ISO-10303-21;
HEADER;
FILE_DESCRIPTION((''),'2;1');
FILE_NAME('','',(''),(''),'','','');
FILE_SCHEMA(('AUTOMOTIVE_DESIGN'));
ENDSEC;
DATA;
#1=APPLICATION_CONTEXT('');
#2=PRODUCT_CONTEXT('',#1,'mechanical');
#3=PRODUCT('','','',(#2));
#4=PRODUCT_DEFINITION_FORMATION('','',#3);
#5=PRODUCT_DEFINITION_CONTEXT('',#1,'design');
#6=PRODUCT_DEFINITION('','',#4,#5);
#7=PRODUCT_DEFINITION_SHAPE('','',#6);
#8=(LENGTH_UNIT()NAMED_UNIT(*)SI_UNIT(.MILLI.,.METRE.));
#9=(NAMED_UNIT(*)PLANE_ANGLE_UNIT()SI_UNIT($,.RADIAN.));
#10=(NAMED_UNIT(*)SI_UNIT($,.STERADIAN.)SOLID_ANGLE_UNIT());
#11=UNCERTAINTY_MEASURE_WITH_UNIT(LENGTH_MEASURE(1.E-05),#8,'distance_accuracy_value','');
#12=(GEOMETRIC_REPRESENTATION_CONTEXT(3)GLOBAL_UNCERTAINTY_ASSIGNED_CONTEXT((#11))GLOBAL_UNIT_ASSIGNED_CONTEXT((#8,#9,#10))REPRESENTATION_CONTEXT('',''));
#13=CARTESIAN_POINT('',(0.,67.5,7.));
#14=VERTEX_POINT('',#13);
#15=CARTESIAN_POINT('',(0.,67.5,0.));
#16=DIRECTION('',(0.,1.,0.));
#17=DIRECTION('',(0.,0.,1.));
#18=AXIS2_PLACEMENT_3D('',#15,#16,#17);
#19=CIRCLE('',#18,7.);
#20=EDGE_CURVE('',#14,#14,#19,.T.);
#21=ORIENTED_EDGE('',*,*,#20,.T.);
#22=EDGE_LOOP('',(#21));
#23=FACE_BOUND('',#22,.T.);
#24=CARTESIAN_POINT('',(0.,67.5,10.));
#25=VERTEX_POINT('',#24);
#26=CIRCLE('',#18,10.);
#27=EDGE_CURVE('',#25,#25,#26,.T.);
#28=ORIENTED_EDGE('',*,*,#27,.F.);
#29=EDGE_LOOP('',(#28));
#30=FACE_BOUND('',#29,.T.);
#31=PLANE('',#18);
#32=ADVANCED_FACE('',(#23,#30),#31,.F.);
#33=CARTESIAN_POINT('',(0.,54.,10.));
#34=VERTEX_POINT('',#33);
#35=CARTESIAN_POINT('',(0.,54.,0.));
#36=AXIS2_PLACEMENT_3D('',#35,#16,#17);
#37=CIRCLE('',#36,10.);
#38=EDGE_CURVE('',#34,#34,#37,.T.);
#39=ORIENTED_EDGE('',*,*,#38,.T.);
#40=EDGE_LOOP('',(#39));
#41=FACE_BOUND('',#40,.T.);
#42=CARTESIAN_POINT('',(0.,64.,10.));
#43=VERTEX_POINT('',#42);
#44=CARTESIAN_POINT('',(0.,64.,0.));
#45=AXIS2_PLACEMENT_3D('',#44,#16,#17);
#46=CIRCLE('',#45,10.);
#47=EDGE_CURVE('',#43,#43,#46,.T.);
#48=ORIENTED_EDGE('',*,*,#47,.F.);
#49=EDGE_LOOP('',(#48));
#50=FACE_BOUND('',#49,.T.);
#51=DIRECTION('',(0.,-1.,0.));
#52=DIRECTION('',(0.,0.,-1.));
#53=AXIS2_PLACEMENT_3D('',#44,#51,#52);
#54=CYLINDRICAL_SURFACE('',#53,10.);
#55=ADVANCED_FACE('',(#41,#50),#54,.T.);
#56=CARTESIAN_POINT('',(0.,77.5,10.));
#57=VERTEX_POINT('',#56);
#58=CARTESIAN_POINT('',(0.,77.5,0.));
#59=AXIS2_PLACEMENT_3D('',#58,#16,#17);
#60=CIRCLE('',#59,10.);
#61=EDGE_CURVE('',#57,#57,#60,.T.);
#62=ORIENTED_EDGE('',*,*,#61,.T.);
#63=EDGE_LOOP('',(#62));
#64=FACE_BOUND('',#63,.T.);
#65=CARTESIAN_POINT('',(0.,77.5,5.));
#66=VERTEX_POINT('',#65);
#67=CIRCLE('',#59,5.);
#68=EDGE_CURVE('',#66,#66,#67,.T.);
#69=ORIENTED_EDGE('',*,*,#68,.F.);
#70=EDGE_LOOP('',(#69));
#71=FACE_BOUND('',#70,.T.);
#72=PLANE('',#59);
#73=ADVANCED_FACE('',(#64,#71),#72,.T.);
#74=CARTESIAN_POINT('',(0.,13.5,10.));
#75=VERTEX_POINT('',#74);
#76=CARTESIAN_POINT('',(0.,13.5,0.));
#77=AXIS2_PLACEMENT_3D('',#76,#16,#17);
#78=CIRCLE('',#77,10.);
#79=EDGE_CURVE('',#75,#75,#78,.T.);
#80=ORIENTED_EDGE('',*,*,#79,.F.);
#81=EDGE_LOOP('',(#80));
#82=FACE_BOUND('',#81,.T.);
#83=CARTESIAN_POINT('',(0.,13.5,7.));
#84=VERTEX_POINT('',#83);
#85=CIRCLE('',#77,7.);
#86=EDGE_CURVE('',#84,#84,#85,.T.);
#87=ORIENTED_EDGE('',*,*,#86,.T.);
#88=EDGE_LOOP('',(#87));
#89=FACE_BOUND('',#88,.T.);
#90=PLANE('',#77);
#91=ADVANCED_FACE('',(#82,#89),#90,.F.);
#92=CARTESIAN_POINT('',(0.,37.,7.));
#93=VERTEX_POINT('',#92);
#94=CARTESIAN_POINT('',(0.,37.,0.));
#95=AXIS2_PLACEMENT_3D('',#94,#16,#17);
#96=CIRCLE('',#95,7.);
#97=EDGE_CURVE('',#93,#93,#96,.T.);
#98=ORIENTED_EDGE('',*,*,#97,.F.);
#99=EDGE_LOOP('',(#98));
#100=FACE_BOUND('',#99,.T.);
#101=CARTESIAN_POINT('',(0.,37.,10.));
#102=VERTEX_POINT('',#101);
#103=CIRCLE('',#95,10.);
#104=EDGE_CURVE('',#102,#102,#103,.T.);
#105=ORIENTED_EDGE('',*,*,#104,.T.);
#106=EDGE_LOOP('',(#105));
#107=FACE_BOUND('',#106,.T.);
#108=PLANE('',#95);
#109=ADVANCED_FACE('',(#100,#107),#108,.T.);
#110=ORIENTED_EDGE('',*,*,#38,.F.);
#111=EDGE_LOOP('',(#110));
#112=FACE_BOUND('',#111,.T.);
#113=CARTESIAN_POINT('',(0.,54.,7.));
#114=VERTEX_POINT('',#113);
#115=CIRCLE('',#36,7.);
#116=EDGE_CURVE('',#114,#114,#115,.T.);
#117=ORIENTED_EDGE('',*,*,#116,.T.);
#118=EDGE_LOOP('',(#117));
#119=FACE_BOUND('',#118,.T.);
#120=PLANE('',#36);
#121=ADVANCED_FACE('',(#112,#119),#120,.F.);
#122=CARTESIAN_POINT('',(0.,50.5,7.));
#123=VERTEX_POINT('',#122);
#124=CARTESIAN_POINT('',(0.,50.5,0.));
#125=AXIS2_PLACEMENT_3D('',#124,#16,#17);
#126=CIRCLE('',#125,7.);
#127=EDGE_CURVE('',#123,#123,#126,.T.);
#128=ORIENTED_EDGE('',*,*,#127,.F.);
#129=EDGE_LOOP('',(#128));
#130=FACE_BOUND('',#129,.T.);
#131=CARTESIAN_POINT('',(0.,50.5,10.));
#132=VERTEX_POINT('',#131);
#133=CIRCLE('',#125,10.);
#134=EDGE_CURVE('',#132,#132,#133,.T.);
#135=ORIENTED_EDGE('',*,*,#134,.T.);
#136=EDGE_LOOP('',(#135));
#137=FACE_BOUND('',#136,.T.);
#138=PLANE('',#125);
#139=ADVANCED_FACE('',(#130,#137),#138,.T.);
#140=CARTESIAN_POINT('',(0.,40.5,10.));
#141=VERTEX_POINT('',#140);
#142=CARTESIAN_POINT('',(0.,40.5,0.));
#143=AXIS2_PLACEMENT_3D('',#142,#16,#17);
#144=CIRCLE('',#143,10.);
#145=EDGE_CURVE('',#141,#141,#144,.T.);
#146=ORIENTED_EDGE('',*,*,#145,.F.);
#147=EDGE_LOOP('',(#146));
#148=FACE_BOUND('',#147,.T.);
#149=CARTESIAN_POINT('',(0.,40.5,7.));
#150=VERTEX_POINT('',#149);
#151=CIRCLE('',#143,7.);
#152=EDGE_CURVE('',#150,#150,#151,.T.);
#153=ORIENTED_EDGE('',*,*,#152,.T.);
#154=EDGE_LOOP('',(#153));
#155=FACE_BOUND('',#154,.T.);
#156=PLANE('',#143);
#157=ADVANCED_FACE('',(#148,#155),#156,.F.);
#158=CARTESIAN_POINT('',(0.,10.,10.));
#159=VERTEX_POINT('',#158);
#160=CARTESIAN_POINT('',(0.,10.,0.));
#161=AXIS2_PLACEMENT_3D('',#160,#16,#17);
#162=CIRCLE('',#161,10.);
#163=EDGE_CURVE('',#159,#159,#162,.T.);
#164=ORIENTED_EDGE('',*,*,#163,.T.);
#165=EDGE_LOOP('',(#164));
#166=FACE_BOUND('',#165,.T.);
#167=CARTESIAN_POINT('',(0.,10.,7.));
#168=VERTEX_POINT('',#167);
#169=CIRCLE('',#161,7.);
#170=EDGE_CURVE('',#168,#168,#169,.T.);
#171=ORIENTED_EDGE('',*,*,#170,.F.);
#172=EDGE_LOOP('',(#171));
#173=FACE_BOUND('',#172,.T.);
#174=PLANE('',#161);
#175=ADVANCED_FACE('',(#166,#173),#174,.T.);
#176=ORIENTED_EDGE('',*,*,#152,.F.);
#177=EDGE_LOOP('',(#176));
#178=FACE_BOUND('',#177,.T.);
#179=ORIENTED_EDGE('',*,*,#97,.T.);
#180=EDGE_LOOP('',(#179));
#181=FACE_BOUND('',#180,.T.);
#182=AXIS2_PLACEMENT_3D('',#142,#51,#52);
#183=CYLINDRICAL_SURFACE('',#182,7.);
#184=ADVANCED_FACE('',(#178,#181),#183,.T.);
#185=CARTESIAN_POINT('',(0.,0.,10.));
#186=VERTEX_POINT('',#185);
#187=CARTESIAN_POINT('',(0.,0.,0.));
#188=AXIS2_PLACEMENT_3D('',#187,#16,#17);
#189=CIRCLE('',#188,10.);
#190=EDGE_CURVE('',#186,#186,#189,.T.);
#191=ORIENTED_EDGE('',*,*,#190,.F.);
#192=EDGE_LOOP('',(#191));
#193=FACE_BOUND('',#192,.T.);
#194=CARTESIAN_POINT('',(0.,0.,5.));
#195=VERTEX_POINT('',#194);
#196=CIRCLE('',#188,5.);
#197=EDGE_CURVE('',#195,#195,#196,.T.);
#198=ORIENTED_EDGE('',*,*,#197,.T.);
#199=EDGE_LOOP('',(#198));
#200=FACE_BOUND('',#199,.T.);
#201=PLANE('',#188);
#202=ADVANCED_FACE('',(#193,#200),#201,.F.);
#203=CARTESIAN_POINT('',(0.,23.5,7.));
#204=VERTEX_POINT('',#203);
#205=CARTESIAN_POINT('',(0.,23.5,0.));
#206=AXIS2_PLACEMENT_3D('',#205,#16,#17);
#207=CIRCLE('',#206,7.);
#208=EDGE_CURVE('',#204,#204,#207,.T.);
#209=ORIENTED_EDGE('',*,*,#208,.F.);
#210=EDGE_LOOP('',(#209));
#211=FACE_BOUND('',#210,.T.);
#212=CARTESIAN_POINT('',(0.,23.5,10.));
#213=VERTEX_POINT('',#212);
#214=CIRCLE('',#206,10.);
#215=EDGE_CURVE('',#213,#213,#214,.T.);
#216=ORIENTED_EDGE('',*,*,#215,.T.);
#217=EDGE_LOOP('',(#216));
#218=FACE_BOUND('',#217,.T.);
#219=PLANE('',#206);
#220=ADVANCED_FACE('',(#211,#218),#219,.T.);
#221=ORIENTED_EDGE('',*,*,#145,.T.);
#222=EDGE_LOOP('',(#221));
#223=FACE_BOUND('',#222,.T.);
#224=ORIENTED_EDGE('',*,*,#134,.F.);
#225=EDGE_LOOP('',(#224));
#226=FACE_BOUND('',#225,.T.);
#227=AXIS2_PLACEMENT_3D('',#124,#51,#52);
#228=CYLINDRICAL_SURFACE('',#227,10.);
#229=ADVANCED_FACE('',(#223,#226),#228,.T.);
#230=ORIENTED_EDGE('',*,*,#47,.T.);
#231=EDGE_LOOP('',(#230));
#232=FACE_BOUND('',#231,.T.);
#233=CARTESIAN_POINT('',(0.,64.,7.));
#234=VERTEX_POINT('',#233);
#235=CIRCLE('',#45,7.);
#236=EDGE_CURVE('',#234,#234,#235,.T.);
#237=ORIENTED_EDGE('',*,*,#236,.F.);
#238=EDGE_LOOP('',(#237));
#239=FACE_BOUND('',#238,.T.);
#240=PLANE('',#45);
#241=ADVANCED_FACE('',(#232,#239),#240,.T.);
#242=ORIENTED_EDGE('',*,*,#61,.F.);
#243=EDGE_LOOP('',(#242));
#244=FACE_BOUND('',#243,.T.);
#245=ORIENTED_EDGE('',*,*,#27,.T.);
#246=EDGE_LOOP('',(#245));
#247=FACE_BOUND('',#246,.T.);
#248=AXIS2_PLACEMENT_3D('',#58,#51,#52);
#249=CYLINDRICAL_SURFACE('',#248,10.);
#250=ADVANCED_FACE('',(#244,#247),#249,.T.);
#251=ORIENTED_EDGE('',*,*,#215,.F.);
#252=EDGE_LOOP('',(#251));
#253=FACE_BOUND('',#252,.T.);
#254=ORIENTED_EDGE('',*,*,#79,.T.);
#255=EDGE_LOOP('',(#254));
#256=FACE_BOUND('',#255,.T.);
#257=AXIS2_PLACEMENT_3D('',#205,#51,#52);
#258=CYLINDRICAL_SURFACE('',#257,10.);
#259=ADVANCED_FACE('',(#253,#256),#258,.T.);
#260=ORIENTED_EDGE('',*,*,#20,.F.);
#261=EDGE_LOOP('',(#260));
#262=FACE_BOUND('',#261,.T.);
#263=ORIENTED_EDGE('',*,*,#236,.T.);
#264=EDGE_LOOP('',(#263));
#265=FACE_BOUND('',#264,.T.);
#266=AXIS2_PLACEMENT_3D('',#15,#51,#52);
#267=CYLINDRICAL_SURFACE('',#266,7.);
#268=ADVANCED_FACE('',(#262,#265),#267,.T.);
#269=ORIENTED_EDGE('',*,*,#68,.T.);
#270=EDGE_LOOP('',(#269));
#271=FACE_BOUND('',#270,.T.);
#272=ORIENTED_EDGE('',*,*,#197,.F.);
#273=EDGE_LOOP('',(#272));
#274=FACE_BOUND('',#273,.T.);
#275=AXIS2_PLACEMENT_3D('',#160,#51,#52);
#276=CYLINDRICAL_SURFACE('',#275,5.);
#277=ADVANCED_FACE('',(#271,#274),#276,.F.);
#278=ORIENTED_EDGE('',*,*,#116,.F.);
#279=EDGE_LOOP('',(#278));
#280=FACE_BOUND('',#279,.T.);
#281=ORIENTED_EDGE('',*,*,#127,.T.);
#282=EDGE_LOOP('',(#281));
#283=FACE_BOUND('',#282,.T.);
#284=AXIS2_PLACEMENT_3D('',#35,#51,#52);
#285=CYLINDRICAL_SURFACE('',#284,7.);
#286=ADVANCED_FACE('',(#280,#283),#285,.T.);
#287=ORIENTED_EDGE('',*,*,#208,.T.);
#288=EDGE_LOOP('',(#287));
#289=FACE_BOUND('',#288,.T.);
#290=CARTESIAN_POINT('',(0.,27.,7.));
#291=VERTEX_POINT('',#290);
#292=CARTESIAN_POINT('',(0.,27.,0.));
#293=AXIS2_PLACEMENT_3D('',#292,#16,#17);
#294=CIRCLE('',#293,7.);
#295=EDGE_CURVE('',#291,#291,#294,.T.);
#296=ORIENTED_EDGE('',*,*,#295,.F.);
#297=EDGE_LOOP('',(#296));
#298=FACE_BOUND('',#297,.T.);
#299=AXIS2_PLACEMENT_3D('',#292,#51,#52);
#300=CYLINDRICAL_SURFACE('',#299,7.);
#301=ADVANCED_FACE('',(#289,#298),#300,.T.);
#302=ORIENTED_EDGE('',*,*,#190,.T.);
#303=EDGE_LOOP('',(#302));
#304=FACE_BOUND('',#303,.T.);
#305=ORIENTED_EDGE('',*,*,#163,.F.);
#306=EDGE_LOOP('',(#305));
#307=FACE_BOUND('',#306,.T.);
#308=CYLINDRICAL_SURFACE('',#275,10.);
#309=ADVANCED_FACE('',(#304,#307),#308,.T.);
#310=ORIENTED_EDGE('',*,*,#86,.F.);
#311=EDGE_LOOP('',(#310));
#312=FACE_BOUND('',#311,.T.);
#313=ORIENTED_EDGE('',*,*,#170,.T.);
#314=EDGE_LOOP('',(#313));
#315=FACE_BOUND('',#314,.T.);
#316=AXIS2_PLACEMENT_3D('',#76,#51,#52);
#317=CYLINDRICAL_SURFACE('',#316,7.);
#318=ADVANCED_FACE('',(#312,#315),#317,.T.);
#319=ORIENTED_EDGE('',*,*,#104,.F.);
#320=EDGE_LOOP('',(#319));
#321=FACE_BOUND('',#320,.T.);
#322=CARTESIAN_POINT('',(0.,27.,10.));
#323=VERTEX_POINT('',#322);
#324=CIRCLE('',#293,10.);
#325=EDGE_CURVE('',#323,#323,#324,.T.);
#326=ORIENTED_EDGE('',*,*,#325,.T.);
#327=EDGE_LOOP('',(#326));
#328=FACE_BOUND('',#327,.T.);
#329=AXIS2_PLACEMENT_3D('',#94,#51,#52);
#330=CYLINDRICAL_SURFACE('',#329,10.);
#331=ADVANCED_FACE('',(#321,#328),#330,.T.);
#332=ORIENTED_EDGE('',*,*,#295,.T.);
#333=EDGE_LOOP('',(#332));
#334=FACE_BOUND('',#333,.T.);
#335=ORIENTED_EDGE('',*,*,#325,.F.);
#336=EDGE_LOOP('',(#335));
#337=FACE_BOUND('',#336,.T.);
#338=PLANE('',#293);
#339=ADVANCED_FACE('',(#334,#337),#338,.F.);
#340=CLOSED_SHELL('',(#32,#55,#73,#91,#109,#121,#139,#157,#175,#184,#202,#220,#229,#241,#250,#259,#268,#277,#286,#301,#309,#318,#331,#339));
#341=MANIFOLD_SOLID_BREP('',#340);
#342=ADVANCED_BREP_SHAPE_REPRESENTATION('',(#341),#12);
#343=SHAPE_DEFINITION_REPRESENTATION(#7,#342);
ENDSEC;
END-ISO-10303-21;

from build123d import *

# Parameters (mm, degrees)
SKETCH1_R            = 10
SKETCH1_R_2          = 5
BOSS_EXTRUDE1_DEPTH  = 10
SKETCH2_R            = 7
SKETCH2_R_2          = 5
BOSS_EXTRUDE2_DEPTH  = 3.5
SKETCH3_R            = 10
SKETCH3_R_2          = 5
BOSS_EXTRUDE3_DEPTH  = 10
SKETCH4_R            = 7
SKETCH4_R_2          = 5
BOSS_EXTRUDE4_DEPTH  = 3.5
SKETCH5_R            = 10
SKETCH5_R_2          = 5
BOSS_EXTRUDE5_DEPTH  = 10
SKETCH6_R            = 7
SKETCH6_R_2          = 5
BOSS_EXTRUDE6_DEPTH  = 3.5
SKETCH7_R            = 10
SKETCH7_R_2          = 5
BOSS_EXTRUDE7_DEPTH  = 10
SKETCH8_R            = 7
SKETCH8_R_2          = 5
BOSS_EXTRUDE8_DEPTH  = 3.5
SKETCH9_R            = 10
SKETCH9_R_2          = 5
BOSS_EXTRUDE9_DEPTH  = 10
SKETCH10_R           = 7
SKETCH10_R_2         = 5
BOSS_EXTRUDE10_DEPTH = 3.5
SKETCH11_R           = 10
SKETCH11_R_2         = 5
BOSS_EXTRUDE11_DEPTH = 10


with BuildPart() as part:
    # Sketch1 → Boss-Extrude1 (new body)
    with BuildSketch(Plane(origin=(0, 0, 0), x_dir=(1, 0, 0), z_dir=(0, 1, 0))):
        Circle(SKETCH1_R)
        Circle(SKETCH1_R_2, mode=Mode.SUBTRACT)
    extrude(amount=BOSS_EXTRUDE1_DEPTH)

    # Sketch2 → Boss-Extrude2 (add)
    with BuildSketch(Plane(origin=(0, 10, 0), x_dir=(1, 0, 0), z_dir=(0, 1, 0))):
        Circle(SKETCH2_R)
        Circle(SKETCH2_R_2, mode=Mode.SUBTRACT)
    extrude(amount=BOSS_EXTRUDE2_DEPTH)

    # Sketch3 → Boss-Extrude3 (add)
    with BuildSketch(Plane(origin=(0, 13.5, 0), x_dir=(1, 0, 0), z_dir=(0, 1, 0))):
        Circle(SKETCH3_R)
        Circle(SKETCH3_R_2, mode=Mode.SUBTRACT)
    extrude(amount=BOSS_EXTRUDE3_DEPTH)

    # Sketch4 → Boss-Extrude4 (add)
    with BuildSketch(Plane(origin=(0, 23.5, 0), x_dir=(1, 0, 0), z_dir=(0, 1, 0))):
        Circle(SKETCH4_R)
        Circle(SKETCH4_R_2, mode=Mode.SUBTRACT)
    extrude(amount=BOSS_EXTRUDE4_DEPTH)

    # Sketch5 → Boss-Extrude5 (add)
    with BuildSketch(Plane(origin=(0, 27, 0), x_dir=(1, 0, 0), z_dir=(0, 1, 0))):
        Circle(SKETCH5_R)
        Circle(SKETCH5_R_2, mode=Mode.SUBTRACT)
    extrude(amount=BOSS_EXTRUDE5_DEPTH)

    # Sketch6 → Boss-Extrude6 (add)
    with BuildSketch(Plane(origin=(0, 37, 0), x_dir=(1, 0, 0), z_dir=(0, 1, 0))):
        Circle(SKETCH6_R)
        Circle(SKETCH6_R_2, mode=Mode.SUBTRACT)
    extrude(amount=BOSS_EXTRUDE6_DEPTH)

    # Sketch7 → Boss-Extrude7 (add)
    with BuildSketch(Plane(origin=(0, 40.5, 0), x_dir=(1, 0, 0), z_dir=(0, 1, 0))):
        Circle(SKETCH7_R)
        Circle(SKETCH7_R_2, mode=Mode.SUBTRACT)
    extrude(amount=BOSS_EXTRUDE7_DEPTH)

    # Sketch8 → Boss-Extrude8 (add)
    with BuildSketch(Plane(origin=(0, 50.5, 0), x_dir=(1, 0, 0), z_dir=(0, 1, 0))):
        Circle(SKETCH8_R)
        Circle(SKETCH8_R_2, mode=Mode.SUBTRACT)
    extrude(amount=BOSS_EXTRUDE8_DEPTH)

    # Sketch9 → Boss-Extrude9 (add)
    with BuildSketch(Plane(origin=(0, 54, 0), x_dir=(1, 0, 0), z_dir=(0, 1, 0))):
        Circle(SKETCH9_R)
        Circle(SKETCH9_R_2, mode=Mode.SUBTRACT)
    extrude(amount=BOSS_EXTRUDE9_DEPTH)

    # Sketch10 → Boss-Extrude10 (add)
    with BuildSketch(Plane(origin=(0, 64, 0), x_dir=(1, 0, 0), z_dir=(0, 1, 0))):
        Circle(SKETCH10_R)
        Circle(SKETCH10_R_2, mode=Mode.SUBTRACT)
    extrude(amount=BOSS_EXTRUDE10_DEPTH)

    # Sketch11 → Boss-Extrude11 (add)
    with BuildSketch(Plane(origin=(0, 67.5, 0), x_dir=(1, 0, 0), z_dir=(0, 1, 0))):
        Circle(SKETCH11_R)
        Circle(SKETCH11_R_2, mode=Mode.SUBTRACT)
    extrude(amount=BOSS_EXTRUDE11_DEPTH)


solid = part.part
